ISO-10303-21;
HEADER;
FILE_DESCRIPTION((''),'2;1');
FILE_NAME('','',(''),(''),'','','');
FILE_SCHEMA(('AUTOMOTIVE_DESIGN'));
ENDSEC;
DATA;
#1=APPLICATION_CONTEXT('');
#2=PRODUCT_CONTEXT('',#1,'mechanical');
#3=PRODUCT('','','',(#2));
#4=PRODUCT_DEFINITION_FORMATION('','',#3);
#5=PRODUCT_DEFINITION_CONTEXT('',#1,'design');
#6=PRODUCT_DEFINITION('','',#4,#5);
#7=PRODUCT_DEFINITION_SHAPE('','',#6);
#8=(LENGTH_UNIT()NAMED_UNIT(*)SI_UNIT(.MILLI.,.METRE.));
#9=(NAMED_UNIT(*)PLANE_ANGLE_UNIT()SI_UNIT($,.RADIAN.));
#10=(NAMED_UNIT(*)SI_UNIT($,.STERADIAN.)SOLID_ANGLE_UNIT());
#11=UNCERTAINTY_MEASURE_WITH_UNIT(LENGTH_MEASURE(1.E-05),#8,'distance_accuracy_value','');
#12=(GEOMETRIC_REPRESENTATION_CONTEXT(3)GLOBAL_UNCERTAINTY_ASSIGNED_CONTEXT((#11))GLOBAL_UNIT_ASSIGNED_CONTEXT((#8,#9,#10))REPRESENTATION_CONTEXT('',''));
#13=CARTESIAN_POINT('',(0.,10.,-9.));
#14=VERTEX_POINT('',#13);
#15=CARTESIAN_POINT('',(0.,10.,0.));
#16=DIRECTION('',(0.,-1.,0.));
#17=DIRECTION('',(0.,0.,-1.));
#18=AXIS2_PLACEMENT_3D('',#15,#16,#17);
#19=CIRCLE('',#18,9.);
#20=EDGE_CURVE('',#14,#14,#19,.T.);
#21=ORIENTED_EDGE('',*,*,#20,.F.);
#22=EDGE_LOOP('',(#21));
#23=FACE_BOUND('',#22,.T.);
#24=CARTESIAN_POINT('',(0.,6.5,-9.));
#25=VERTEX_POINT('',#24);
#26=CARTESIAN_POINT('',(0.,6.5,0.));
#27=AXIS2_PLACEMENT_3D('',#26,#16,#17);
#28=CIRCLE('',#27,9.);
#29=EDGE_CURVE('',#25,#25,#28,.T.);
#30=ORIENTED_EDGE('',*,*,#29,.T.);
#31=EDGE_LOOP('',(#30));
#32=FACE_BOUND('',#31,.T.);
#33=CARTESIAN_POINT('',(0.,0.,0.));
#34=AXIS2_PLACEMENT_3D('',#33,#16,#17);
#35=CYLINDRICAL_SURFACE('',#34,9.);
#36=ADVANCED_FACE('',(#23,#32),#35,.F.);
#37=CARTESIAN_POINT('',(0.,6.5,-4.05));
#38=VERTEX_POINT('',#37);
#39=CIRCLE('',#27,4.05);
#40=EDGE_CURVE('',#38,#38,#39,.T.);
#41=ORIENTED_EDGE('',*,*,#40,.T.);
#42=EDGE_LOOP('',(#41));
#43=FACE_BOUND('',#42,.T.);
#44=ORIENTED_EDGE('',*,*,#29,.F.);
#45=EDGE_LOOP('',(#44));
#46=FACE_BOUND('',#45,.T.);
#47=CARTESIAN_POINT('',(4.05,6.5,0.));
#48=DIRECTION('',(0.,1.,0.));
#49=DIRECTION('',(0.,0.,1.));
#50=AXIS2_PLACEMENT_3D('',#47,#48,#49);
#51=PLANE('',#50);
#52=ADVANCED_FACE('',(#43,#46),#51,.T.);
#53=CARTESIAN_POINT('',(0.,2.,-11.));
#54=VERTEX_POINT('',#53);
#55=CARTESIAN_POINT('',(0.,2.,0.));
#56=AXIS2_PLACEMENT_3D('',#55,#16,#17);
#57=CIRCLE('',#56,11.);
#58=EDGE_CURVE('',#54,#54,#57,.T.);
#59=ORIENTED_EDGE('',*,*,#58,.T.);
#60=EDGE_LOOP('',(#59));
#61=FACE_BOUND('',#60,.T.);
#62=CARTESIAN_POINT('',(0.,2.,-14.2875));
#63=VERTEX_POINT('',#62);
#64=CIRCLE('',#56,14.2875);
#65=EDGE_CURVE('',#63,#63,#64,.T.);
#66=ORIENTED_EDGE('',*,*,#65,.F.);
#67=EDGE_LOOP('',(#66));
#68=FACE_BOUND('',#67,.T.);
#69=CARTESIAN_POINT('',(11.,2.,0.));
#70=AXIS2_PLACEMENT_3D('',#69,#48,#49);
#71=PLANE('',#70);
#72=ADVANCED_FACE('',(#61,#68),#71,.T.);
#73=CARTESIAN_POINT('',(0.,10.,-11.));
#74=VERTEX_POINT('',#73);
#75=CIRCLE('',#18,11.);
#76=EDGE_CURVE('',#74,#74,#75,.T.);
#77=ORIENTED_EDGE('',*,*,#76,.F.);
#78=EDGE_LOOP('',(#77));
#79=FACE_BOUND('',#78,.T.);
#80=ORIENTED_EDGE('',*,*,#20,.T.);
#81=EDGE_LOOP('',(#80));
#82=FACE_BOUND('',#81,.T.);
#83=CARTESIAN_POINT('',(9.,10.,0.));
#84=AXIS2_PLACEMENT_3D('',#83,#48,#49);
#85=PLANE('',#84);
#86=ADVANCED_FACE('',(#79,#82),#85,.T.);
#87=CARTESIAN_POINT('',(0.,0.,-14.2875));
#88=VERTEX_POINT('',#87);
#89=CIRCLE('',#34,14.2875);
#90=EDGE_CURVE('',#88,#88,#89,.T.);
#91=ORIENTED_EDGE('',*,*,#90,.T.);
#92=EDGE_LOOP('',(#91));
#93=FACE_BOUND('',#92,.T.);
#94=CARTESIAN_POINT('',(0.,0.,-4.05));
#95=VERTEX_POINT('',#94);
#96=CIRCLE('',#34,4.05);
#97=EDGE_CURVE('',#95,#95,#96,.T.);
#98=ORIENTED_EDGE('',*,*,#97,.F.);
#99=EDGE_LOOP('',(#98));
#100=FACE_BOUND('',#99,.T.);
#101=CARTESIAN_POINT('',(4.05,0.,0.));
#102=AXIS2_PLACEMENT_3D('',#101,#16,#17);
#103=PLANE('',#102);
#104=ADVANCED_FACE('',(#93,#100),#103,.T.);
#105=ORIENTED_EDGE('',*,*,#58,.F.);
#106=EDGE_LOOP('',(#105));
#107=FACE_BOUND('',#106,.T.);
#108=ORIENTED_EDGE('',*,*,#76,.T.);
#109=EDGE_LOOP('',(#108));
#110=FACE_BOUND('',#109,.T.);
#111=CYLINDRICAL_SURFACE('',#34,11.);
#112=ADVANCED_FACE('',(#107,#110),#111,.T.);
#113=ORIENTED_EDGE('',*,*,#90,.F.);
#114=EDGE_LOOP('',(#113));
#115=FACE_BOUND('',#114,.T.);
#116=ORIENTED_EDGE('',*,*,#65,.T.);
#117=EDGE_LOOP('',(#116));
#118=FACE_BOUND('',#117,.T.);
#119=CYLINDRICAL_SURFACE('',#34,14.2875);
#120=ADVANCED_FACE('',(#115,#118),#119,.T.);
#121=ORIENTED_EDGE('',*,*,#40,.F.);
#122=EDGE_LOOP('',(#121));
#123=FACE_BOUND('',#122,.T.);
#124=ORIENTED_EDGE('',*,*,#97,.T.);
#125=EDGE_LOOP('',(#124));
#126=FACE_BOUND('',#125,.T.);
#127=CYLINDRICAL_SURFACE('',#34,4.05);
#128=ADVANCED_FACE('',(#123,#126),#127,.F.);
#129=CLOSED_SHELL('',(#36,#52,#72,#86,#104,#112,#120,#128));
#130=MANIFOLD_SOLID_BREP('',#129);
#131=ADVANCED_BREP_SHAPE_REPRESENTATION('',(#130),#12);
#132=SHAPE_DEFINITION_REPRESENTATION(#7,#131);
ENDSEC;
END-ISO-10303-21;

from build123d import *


with BuildPart() as part:
    # Sketch4 → Revolve1 (revolve)
    with BuildSketch(Plane.XY, mode=Mode.PRIVATE) as revolve1_sk:
        Polygon((4.05, 0), (4.05, 6.5), (9, 6.5), (9, 10), (11, 10), (11, 2), (14.2875, 2), (14.2875, 0), align=None)
    revolve(revolve1_sk.sketch.rotate(Axis((0, 0, 0), (0, 1, 0)), 90), axis=Axis((0, 0, 0), (0, 1, 0)))


solid = part.part
